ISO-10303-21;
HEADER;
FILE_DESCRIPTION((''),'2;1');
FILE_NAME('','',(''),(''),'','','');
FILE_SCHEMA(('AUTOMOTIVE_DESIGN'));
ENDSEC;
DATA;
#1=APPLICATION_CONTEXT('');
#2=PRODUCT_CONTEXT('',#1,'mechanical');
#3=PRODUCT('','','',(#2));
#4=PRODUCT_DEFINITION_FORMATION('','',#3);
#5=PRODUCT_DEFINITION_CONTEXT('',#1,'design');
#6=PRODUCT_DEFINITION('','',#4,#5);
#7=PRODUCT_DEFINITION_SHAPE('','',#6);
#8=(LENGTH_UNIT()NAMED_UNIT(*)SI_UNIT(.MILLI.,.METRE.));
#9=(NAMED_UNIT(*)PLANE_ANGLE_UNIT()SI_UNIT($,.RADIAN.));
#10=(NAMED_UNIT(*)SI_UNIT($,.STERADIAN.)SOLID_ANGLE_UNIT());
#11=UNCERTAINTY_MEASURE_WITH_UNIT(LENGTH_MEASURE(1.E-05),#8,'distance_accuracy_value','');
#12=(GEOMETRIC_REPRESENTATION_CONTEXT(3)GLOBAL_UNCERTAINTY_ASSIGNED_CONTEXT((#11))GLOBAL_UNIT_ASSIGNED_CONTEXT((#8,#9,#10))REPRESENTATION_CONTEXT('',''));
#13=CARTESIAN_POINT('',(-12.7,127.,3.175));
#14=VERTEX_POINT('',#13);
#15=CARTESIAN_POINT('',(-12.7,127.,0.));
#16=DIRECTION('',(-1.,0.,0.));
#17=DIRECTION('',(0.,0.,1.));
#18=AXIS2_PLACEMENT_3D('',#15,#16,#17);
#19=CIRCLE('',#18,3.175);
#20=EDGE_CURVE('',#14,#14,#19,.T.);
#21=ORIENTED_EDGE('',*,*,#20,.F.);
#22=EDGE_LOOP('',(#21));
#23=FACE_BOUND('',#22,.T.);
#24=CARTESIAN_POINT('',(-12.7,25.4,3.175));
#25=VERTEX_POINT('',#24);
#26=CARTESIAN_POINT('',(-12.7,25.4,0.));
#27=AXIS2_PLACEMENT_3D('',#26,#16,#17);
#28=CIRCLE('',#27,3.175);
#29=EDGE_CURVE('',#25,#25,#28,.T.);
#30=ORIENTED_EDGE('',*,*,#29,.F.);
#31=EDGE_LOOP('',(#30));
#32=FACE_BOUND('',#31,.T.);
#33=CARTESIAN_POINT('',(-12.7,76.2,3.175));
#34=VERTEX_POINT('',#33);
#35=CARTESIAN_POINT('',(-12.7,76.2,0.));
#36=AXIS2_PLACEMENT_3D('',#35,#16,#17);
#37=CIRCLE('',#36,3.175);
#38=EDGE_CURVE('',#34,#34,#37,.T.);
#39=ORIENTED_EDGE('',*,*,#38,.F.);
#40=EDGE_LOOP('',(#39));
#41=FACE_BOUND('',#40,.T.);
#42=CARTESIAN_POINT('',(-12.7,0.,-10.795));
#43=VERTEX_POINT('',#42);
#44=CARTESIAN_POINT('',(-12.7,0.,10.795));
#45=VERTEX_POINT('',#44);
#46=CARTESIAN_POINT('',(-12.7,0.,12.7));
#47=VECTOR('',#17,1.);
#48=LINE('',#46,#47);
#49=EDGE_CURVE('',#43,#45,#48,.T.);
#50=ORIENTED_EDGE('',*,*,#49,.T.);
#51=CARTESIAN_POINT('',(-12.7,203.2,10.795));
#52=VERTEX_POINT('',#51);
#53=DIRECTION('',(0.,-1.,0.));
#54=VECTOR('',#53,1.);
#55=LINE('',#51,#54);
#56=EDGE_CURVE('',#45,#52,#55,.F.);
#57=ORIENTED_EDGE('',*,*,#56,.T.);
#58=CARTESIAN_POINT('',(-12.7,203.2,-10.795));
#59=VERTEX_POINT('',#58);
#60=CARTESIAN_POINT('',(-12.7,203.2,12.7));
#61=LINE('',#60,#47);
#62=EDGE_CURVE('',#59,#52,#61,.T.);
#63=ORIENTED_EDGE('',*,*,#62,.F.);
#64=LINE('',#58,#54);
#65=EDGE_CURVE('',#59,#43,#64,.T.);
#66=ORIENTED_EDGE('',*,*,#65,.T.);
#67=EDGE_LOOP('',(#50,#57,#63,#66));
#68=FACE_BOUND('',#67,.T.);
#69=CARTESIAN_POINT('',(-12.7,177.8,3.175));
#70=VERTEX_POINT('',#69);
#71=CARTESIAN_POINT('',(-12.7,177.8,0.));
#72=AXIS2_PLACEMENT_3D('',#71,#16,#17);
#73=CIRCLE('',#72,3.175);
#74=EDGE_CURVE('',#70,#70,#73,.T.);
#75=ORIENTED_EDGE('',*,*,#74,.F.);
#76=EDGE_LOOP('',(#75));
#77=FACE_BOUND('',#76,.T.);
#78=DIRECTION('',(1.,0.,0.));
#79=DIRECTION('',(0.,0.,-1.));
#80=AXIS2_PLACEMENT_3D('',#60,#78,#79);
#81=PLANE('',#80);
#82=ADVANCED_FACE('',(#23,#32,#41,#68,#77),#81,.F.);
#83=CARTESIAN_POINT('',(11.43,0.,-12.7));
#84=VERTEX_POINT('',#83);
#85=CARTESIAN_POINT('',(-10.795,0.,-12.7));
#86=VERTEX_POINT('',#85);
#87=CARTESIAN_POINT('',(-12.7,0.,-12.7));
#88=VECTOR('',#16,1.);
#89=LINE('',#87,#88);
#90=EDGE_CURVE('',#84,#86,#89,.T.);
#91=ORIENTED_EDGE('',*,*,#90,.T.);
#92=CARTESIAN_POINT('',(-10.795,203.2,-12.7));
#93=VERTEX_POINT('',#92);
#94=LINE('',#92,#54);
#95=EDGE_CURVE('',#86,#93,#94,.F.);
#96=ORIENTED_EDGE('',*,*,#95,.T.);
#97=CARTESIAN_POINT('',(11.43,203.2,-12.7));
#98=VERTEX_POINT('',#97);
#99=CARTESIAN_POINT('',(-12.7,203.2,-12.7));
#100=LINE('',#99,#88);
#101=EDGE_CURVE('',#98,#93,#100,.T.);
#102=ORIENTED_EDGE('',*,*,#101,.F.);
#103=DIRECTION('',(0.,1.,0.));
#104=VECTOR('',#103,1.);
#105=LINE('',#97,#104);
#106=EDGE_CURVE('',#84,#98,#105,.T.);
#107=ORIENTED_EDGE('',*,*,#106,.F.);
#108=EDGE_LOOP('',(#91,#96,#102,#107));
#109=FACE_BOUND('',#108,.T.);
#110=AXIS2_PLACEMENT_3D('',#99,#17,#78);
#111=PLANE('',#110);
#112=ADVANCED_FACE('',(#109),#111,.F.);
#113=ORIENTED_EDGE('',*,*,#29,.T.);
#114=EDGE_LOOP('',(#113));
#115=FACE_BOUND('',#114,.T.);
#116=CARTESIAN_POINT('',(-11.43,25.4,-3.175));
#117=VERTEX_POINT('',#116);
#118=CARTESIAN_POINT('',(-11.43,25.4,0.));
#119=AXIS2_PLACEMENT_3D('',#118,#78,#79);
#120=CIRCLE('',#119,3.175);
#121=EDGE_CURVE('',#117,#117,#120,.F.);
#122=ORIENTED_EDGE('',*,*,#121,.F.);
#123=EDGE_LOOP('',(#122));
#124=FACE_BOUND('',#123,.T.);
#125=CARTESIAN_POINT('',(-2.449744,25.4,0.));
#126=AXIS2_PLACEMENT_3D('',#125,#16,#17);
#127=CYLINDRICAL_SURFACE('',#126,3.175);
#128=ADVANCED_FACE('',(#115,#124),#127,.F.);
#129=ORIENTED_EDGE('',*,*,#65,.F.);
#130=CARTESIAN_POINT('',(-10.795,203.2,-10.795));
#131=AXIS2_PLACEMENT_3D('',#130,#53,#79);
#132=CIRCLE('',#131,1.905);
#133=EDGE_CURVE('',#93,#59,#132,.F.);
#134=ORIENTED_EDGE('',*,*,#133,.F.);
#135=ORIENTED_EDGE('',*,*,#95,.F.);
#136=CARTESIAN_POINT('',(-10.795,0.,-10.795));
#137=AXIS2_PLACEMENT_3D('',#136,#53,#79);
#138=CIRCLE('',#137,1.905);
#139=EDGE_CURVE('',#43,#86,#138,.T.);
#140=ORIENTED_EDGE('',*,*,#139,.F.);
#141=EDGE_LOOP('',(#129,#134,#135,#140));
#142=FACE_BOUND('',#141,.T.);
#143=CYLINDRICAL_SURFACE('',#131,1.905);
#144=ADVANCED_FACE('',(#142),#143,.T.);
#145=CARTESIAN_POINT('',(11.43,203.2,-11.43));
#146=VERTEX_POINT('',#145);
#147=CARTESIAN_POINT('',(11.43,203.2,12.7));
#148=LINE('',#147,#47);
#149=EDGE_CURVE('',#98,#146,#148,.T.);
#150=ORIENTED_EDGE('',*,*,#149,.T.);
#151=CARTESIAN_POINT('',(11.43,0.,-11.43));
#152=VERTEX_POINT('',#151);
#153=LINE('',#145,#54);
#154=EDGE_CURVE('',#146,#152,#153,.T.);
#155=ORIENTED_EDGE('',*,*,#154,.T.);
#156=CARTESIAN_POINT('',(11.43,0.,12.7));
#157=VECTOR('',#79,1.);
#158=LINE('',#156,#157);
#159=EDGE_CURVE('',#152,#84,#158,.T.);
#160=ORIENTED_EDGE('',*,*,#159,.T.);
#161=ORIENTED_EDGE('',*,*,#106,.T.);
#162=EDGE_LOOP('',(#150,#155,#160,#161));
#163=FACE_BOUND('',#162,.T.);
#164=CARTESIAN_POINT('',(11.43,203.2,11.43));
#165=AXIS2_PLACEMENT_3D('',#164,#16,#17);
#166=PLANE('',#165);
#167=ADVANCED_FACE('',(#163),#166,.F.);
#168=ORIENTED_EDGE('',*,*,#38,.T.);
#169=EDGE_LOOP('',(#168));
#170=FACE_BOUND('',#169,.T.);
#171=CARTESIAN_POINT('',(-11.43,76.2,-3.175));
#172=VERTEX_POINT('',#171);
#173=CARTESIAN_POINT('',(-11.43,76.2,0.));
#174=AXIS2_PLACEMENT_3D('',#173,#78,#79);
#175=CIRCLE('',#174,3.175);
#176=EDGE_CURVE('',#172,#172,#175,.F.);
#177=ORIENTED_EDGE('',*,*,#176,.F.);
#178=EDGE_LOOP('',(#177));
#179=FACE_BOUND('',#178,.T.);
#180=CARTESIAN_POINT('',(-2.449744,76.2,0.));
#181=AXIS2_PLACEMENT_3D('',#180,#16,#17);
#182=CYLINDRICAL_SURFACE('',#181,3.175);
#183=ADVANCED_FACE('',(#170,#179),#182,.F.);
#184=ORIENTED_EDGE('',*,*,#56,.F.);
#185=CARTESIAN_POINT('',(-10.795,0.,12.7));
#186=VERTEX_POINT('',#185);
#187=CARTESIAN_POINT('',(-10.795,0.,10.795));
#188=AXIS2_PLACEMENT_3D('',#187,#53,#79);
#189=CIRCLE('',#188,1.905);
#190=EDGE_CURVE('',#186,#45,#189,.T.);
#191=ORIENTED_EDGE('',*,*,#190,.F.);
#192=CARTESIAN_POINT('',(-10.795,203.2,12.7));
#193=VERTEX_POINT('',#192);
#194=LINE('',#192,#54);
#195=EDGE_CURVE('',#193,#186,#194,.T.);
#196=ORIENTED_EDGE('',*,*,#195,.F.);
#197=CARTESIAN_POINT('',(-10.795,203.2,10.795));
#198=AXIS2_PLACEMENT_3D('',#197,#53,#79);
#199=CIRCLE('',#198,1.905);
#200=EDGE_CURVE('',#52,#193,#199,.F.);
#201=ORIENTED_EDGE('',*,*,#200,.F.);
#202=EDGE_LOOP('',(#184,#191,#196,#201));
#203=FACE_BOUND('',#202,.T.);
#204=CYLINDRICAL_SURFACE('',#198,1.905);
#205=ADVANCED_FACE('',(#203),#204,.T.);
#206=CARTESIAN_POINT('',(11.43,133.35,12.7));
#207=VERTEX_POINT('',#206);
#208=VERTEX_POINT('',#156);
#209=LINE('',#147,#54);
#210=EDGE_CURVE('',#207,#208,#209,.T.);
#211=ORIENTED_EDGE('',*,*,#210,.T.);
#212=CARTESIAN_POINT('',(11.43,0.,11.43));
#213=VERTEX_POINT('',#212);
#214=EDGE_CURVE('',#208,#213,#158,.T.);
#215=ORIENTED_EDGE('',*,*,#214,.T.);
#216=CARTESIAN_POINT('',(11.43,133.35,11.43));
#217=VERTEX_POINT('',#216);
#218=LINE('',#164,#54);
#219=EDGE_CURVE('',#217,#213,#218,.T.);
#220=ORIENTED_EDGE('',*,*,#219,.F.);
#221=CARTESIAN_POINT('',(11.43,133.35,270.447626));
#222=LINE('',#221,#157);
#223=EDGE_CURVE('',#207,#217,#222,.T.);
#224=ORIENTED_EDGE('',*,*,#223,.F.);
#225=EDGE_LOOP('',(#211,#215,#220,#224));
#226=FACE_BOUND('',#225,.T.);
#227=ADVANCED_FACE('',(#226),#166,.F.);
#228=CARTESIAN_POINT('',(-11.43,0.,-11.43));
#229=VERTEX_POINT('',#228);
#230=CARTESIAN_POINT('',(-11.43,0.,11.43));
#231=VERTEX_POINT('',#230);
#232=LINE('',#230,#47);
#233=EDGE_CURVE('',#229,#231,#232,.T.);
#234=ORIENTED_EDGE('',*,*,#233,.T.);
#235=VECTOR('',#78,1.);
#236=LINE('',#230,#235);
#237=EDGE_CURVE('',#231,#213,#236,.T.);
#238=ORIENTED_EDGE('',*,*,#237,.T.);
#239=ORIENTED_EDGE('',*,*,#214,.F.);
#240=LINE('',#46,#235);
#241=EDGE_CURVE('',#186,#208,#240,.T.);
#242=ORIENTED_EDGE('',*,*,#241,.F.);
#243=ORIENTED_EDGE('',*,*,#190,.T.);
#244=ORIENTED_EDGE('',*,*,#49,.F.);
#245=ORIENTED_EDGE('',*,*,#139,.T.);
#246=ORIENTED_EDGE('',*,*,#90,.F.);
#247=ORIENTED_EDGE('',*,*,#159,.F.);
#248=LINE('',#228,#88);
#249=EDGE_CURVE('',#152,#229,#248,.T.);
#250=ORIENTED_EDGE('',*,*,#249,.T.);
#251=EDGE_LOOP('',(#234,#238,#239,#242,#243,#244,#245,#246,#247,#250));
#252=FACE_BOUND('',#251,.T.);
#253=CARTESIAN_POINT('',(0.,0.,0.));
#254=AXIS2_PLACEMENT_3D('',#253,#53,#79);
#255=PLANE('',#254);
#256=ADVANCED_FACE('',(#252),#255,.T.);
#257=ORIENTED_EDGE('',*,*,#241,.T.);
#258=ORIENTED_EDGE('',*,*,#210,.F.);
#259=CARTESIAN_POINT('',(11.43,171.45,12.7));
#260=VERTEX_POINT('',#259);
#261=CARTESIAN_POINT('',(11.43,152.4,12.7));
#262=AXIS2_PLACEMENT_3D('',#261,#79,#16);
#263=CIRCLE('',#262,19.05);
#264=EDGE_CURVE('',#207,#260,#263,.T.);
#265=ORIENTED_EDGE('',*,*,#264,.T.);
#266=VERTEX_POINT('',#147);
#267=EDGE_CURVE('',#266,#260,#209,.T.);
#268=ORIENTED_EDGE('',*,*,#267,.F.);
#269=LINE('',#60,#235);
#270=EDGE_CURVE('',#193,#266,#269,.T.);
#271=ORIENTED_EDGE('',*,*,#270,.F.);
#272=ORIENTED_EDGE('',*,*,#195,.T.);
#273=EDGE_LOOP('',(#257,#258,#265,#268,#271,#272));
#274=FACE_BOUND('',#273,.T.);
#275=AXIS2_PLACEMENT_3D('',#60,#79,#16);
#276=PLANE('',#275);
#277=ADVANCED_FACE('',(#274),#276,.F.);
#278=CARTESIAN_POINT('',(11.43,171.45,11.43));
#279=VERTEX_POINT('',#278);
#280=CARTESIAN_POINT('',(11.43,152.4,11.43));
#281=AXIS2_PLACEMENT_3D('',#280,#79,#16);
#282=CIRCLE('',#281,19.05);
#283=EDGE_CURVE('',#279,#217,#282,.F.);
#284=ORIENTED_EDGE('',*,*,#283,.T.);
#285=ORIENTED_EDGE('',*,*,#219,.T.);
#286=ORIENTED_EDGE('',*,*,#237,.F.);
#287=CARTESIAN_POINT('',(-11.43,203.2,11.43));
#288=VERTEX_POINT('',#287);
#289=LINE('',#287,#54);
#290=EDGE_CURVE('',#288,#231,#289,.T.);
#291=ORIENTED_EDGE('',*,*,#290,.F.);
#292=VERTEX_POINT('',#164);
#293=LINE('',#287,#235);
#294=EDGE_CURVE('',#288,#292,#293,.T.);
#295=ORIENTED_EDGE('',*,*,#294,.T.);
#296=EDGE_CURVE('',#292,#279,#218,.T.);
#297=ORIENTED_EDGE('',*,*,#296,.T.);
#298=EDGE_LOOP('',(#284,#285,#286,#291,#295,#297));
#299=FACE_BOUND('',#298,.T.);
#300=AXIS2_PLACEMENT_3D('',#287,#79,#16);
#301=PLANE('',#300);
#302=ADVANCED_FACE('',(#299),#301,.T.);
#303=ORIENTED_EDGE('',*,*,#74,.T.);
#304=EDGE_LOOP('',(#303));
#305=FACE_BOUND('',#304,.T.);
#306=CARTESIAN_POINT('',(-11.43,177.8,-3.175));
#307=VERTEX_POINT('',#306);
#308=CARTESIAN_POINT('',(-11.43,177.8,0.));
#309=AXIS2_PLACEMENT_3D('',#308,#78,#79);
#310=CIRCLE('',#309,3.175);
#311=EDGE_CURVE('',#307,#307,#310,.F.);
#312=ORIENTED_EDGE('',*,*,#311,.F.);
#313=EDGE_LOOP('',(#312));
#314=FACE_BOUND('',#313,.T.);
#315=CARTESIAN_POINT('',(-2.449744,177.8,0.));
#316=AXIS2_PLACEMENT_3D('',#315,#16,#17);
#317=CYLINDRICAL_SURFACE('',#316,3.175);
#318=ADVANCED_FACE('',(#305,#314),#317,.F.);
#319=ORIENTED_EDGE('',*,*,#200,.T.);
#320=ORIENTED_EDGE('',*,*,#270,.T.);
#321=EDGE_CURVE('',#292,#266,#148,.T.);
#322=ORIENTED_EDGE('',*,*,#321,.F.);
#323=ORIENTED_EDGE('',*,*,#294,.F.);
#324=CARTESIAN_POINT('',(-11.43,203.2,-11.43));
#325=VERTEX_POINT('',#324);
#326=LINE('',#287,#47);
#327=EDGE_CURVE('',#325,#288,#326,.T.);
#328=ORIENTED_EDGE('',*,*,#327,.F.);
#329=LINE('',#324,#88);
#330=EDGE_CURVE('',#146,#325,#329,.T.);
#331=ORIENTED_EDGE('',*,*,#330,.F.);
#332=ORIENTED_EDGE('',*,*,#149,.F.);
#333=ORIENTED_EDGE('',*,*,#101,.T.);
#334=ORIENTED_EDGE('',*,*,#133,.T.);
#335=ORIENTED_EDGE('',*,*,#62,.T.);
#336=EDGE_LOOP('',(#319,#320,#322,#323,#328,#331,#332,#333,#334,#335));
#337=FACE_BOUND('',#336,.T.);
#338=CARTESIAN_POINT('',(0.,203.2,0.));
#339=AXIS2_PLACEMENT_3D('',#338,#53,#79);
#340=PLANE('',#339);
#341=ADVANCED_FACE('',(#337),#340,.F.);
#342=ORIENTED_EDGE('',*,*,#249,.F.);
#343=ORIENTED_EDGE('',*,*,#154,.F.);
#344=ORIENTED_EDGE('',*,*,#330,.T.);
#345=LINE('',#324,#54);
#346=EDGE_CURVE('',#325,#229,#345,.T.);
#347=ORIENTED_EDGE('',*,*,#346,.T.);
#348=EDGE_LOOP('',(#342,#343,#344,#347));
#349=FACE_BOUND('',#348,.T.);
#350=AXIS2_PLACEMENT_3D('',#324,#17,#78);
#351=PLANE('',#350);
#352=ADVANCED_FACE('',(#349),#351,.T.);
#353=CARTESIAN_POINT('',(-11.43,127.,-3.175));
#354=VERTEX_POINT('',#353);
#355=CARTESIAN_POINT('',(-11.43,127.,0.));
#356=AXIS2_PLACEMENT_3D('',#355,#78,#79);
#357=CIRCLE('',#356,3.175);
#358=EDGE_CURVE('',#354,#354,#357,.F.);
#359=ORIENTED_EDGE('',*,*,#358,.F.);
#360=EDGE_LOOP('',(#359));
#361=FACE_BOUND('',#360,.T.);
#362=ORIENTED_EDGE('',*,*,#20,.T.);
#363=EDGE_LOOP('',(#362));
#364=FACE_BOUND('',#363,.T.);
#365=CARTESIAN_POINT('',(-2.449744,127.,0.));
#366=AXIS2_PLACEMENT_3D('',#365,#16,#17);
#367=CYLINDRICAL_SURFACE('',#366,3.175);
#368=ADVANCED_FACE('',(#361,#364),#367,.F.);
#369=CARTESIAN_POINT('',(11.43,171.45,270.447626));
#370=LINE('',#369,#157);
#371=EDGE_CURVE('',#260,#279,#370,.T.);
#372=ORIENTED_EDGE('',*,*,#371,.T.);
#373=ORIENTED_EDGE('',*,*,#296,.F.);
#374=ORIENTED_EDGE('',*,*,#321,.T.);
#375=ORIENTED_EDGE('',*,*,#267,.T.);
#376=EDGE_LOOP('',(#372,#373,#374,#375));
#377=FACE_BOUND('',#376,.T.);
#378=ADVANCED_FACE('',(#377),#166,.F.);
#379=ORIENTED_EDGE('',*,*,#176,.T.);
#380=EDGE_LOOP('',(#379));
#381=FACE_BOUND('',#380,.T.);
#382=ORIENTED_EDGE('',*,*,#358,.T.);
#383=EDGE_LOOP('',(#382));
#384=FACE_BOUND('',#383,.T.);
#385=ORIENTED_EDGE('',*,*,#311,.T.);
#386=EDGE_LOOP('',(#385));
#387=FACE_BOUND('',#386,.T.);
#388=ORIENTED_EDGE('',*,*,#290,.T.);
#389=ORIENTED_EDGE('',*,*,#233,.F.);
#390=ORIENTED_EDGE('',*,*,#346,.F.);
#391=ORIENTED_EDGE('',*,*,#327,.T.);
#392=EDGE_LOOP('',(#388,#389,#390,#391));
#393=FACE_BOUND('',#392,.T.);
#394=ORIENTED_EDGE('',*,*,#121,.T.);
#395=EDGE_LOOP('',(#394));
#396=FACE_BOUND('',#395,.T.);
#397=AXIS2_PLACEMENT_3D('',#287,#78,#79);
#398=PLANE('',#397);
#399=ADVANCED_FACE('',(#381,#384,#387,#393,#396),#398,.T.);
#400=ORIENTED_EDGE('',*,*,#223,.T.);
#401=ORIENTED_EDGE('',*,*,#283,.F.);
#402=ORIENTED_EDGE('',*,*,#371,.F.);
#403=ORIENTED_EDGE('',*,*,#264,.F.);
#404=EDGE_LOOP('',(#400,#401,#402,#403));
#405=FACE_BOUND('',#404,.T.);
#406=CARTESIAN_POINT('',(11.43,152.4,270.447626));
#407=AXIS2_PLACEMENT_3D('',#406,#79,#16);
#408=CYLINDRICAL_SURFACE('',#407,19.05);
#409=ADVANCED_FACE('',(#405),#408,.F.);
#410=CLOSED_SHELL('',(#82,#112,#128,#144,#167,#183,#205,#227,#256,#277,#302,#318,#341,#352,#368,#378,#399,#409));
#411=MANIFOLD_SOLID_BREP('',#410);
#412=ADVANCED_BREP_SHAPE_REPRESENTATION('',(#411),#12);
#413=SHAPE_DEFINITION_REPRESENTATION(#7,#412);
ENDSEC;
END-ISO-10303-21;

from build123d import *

# Parameters (mm, degrees)
SKETCH1_W               = 25.4
SKETCH1_H               = 25.4
SKETCH1_W_2             = 22.86
SKETCH1_H_2             = 22.86
BOSS_EXTRUDE1_DEPTH     = 203.2
SKETCH2_W               = 25.4
SKETCH2_H               = 203.2
CUT_EXTRUDE1_DEPTH      = 1.27
SKETCH3_R               = 3.175
CUT_EXTRUDE2_DEPTH      = 1.27
CUT_EXTRUDE3_DEPTH      = 206.174779152
CUT_EXTRUDE3_DEPTH_BACK = 2.54
FILLET10_R              = 1.905


with BuildPart() as part:
    # Sketch1 → Boss-Extrude1 (new body)
    with BuildSketch(Plane(origin=(0, 0, 0), x_dir=(1, 0, 0), z_dir=(0, 1, 0))):
        Rectangle(SKETCH1_W, SKETCH1_H)
        Rectangle(SKETCH1_W_2, SKETCH1_H_2, mode=Mode.SUBTRACT)
    extrude(amount=BOSS_EXTRUDE1_DEPTH)

    # Sketch2 → Cut-Extrude1 (cut)
    with BuildSketch(Plane(origin=(12.7, 0, 0), x_dir=(0, 0, -1), z_dir=(1, 0, 0))):
        with Locations((0, 101.6)):
            Rectangle(SKETCH2_W, SKETCH2_H)
    extrude(amount=-CUT_EXTRUDE1_DEPTH, mode=Mode.SUBTRACT)

    # Sketch3 → Cut-Extrude2 (cut)
    with BuildSketch(Plane.ZY.offset(12.7)):
        with Locations((0, 25.4)):
            Circle(SKETCH3_R)
        with Locations((0, 76.2)):
            Circle(SKETCH3_R)
        with Locations((0, 127)):
            Circle(SKETCH3_R)
        with Locations((0, 177.8)):
            Circle(SKETCH3_R)
    extrude(amount=-CUT_EXTRUDE2_DEPTH, mode=Mode.SUBTRACT)

    # Sketch4 → Cut-Extrude3 (cut, two sides: drawn at the far end of the back side and taken through both)
    with BuildSketch(Plane.XY.offset(12.7).offset(-CUT_EXTRUDE3_DEPTH_BACK)):
        with BuildLine():
            Line((367.709421277, 171.45), (11.43, 171.45))
            ThreePointArc((11.43, 171.45), (-7.62, 152.4), (11.43, 133.35))
            Line((11.43, 133.35), (367.709421277, 133.35))
            Line((367.709421277, 133.35), (1080.268263831, 133.35))
            Line((1080.268263831, 133.35), (1080.268263831, 171.45))
            Line((1080.268263831, 171.45), (367.709421277, 171.45))
        make_face()
    extrude(amount=CUT_EXTRUDE3_DEPTH + CUT_EXTRUDE3_DEPTH_BACK, mode=Mode.SUBTRACT)

    # Fillet10
    fillet10_edges = [part.edges().sort_by_distance(p)[0] for p in [
        (-12.7, 101.6, 12.7),
        (-12.7, 101.6, -12.7),
    ]]
    fillet(fillet10_edges, radius=FILLET10_R)


solid = part.part
